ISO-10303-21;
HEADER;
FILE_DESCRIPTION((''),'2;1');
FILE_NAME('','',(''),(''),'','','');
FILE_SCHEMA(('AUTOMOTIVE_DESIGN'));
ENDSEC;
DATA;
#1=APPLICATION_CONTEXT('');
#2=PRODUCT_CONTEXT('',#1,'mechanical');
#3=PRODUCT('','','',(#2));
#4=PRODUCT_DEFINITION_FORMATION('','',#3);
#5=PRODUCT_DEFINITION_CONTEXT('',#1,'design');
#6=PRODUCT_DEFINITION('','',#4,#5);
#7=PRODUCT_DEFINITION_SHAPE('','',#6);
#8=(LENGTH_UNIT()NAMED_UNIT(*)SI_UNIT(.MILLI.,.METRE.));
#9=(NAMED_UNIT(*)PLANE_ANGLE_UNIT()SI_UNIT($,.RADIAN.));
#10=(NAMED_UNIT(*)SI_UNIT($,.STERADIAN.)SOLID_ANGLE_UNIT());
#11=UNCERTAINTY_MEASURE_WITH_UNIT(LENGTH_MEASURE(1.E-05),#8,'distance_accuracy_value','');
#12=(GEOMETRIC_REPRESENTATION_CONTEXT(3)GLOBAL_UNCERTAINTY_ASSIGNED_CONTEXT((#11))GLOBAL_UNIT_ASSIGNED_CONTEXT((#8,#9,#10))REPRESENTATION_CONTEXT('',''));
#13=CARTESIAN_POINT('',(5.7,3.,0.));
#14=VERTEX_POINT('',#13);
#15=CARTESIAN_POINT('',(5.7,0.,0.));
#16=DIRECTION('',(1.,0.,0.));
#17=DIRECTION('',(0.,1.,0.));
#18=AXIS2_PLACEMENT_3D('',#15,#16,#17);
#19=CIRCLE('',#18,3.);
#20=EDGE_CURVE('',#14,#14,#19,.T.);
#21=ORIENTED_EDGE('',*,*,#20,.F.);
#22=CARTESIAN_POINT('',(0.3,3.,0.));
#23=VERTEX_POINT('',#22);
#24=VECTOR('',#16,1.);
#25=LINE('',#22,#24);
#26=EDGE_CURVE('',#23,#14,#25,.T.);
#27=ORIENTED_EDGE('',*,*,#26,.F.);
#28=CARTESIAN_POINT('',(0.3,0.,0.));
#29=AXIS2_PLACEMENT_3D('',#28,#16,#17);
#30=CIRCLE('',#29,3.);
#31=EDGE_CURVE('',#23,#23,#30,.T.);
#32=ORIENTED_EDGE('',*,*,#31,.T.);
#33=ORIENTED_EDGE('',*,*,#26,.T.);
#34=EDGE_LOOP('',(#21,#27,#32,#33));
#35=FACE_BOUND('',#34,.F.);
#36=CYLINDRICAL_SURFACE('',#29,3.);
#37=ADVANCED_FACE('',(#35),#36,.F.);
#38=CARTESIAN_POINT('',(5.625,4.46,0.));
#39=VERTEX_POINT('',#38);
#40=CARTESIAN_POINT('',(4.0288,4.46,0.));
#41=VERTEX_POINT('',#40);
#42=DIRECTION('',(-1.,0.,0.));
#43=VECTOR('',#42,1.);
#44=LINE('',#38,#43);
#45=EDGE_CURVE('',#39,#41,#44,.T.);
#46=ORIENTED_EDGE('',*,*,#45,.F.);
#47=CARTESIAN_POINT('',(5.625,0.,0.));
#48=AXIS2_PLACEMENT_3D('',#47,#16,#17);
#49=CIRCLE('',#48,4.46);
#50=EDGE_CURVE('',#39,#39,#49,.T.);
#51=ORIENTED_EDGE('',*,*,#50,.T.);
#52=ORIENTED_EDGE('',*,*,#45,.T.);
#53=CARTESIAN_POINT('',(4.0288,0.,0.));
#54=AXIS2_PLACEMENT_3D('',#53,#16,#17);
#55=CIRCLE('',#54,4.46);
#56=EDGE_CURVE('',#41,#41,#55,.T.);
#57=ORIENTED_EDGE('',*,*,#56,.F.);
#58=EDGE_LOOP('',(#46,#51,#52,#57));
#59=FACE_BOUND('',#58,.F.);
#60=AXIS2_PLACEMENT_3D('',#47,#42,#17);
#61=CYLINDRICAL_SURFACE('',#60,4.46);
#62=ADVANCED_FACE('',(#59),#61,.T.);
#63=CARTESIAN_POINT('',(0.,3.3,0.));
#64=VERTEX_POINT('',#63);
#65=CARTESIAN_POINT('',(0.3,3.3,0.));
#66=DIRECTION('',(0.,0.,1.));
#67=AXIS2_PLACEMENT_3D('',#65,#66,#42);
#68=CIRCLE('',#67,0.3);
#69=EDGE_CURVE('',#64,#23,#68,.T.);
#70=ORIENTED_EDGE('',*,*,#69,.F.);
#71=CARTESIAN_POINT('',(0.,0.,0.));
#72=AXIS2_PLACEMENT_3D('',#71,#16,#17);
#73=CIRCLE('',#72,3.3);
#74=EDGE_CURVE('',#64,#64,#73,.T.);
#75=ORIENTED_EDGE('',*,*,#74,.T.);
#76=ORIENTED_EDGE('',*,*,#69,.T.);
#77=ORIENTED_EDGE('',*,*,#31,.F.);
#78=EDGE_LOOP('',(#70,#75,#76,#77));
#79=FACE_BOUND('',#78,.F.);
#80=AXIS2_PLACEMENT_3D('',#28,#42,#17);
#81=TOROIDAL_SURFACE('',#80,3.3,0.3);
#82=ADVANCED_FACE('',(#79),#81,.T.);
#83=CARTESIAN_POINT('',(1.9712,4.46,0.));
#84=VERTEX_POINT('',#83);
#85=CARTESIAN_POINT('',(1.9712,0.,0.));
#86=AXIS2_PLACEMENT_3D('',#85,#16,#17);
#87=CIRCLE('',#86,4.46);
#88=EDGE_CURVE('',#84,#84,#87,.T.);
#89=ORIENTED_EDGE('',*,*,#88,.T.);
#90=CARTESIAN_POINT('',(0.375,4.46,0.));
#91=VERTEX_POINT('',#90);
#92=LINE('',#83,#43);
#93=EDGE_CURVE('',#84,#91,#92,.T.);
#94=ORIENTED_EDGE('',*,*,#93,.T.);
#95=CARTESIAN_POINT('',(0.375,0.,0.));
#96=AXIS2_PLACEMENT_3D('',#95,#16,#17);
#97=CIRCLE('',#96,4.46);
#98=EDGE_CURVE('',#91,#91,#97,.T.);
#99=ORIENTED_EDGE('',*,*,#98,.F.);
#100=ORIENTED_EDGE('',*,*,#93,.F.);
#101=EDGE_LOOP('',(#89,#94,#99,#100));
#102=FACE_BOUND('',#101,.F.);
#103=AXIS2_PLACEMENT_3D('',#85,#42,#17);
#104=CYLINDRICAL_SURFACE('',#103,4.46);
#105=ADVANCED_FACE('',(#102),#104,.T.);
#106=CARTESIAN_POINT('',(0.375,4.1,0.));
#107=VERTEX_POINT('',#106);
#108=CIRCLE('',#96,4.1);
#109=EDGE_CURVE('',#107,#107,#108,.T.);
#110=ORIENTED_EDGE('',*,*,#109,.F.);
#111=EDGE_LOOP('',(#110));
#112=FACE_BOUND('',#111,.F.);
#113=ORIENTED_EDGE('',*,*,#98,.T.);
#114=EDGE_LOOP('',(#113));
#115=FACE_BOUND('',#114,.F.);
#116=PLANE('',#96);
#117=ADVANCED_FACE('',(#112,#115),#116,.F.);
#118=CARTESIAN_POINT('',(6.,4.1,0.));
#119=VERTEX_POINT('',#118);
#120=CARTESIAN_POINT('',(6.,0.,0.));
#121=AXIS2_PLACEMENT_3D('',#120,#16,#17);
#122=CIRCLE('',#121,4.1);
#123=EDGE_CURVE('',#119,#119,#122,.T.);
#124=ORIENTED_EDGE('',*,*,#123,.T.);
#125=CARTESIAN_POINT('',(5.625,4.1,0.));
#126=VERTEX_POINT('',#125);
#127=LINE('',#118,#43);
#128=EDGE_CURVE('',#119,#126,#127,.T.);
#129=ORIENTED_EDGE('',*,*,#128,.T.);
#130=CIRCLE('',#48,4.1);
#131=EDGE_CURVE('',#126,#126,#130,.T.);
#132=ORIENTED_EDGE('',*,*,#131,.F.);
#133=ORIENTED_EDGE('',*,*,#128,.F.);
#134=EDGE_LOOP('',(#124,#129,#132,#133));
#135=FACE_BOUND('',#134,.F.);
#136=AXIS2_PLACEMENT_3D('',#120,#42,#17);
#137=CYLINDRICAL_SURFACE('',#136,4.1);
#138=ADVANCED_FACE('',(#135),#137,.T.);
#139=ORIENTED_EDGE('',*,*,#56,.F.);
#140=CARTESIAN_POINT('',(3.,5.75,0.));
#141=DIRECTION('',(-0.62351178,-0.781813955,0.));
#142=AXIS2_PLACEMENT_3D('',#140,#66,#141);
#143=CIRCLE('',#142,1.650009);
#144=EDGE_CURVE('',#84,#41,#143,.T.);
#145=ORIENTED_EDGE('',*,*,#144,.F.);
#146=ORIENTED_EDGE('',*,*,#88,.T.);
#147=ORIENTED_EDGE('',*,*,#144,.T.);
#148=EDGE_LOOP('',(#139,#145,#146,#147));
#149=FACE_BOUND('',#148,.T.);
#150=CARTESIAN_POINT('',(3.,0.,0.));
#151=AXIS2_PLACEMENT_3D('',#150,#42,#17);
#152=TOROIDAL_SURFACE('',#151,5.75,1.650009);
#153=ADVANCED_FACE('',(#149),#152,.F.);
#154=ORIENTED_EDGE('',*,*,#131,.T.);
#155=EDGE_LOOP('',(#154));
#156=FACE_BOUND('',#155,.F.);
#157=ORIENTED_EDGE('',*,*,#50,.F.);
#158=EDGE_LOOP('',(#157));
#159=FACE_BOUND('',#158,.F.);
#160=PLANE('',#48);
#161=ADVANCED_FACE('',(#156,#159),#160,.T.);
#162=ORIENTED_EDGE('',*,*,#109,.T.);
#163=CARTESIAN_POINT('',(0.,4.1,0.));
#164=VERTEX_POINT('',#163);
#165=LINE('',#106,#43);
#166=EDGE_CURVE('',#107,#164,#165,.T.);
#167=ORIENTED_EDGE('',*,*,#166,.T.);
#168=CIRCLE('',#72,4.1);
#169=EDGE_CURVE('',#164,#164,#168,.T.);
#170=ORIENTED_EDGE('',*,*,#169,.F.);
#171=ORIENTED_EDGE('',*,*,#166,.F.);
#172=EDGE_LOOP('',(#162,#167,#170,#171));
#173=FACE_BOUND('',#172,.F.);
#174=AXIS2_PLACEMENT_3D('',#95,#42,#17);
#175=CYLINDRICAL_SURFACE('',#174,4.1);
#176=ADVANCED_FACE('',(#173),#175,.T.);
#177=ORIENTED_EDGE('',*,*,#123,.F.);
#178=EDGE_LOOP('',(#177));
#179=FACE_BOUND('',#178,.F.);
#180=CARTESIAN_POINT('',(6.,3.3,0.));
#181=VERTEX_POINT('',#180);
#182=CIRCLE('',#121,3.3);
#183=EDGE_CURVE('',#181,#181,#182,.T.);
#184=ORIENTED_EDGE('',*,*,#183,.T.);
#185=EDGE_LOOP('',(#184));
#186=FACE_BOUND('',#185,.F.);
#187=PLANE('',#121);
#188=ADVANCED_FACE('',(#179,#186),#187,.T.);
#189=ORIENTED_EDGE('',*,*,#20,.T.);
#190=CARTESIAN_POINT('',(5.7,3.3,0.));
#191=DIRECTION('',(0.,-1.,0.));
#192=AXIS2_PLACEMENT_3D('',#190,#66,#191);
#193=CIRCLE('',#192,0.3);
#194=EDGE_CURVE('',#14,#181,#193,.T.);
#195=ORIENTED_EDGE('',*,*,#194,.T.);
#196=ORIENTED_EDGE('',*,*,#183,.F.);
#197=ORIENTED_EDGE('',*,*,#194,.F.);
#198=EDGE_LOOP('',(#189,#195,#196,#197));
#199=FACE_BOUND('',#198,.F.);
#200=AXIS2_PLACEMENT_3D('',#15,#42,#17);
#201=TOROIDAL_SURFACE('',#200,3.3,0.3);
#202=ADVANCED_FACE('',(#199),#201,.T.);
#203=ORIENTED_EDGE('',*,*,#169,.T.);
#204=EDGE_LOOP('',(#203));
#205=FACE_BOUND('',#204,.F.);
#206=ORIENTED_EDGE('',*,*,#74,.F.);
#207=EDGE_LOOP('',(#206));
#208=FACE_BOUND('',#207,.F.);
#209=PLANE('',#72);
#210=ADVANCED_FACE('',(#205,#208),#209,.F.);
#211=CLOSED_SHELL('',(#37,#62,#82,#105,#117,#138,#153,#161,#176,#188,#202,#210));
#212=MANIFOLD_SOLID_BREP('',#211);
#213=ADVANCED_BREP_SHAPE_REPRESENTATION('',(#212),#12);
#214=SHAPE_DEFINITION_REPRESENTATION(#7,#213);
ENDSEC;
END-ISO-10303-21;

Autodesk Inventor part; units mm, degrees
sketch "Sketch_2" plane through (0, 0, 0) normal (0, 0, 1) x (1, 0, 0)
  line L0 (6, 0) -> (0, 0)
  arc A0 (0, 3.3) -> (0.3, 3) centre (0.3, 3.3) ccw
  line L1 (0.3, 3) -> (5.7, 3)
  arc A1 (5.7, 3) -> (6, 3.3) centre (5.7, 3.3) ccw
  line L2 (6, 3.3) -> (6, 4.1)
  line L3 (6, 4.1) -> (5.625, 4.1)
  line L4 (5.625, 4.1) -> (5.625, 4.46)
  line L5 (5.625, 4.46) -> (4.0288, 4.46)
  arc A2 (1.9712, 4.46) -> (4.0288, 4.46) centre (3, 5.75) ccw
  line L6 (1.9712, 4.46) -> (0.375, 4.46)
  line L7 (0.375, 4.46) -> (0.375, 4.1)
  line L8 (0.375, 4.1) -> (0, 4.1)
  line L9 (0, 4.1) -> (0, 3.3)
revolve "Revolution1" add sketch "Sketch_2" angle 360 about axis through (6, 0, 0) along (1, 0, 0)
ref_plane "ip_st_1_1_XY" through (3, 5.75, 0) normal (1, 0, 0) x (0, 0, -1)
ref_plane "ip_st_1_1_YZ" through (3, 5.75, 0) normal (0, 0, -1) x (0, 1, 0)
ref_plane "ip_st_1_1_ZX" through (3, 5.75, 0) normal (0, 1, 0) x (1, 0, 0)
ref_plane "ip_st_1_2_XY" through (3, 4.0659, 4.0659) normal (1, 0, 0) x (0, 0, -1)
ref_plane "ip_st_1_2_YZ" through (3, 4.0659, 4.0659) normal (0, 0, -1) x (0, 1, 0)
ref_plane "ip_st_1_2_ZX" through (3, 4.0659, 4.0659) normal (0, 1, 0) x (1, 0, 0)
ref_plane "ip_st_1_3_XY" through (3, 0, 5.75) normal (1, 0, 0) x (0, 0, -1)
ref_plane "ip_st_1_3_YZ" through (3, 0, 5.75) normal (0, 0, -1) x (0, 1, 0)
ref_plane "ip_st_1_3_ZX" through (3, 0, 5.75) normal (0, 1, 0) x (1, 0, 0)
ref_plane "ip_st_1_4_XY" through (3, -4.0659, 4.0659) normal (1, 0, 0) x (0, 0, -1)
ref_plane "ip_st_1_4_YZ" through (3, -4.0659, 4.0659) normal (0, 0, -1) x (0, 1, 0)
ref_plane "ip_st_1_4_ZX" through (3, -4.0659, 4.0659) normal (0, 1, 0) x (1, 0, 0)
ref_plane "ip_st_1_5_XY" through (3, -5.75, 0) normal (1, 0, 0) x (0, 0, -1)
ref_plane "ip_st_1_5_YZ" through (3, -5.75, 0) normal (0, 0, -1) x (0, 1, 0)
ref_plane "ip_st_1_5_ZX" through (3, -5.75, 0) normal (0, 1, 0) x (1, 0, 0)
ref_plane "ip_st_1_6_XY" through (3, -4.0659, -4.0659) normal (1, 0, 0) x (0, 0, -1)
ref_plane "ip_st_1_6_YZ" through (3, -4.0659, -4.0659) normal (0, 0, -1) x (0, 1, 0)
ref_plane "ip_st_1_6_ZX" through (3, -4.0659, -4.0659) normal (0, 1, 0) x (1, 0, 0)
ref_plane "ip_st_1_7_XY" through (3, 0, -5.75) normal (1, 0, 0) x (0, 0, -1)
ref_plane "ip_st_1_7_YZ" through (3, 0, -5.75) normal (0, 0, -1) x (0, 1, 0)
ref_plane "ip_st_1_7_ZX" through (3, 0, -5.75) normal (0, 1, 0) x (1, 0, 0)
ref_plane "ip_st_1_8_XY" through (3, 4.0659, -4.0659) normal (1, 0, 0) x (0, 0, -1)
ref_plane "ip_st_1_8_YZ" through (3, 4.0659, -4.0659) normal (0, 0, -1) x (0, 1, 0)
ref_plane "ip_st_1_8_ZX" through (3, 4.0659, -4.0659) normal (0, 1, 0) x (1, 0, 0)
ref_plane "ip_st_1a_XY" through (0, 0, 0) normal (1, 0, 0) x (0, 0, -1)
ref_plane "ip_st_1a_YZ" through (0, 0, 0) normal (0, 0, -1) x (0, 1, 0)
ref_plane "ip_st_1a_ZX" through (0, 0, 0) normal (0, 1, 0) x (1, 0, 0)
ref_plane "ip_st_2a_XY" through (0.375, 0, 0) normal (1, 0, 0) x (0, 0, -1)
ref_plane "ip_st_2a_YZ" through (0.375, 0, 0) normal (0, 0, -1) x (0, 1, 0)
ref_plane "ip_st_2a_ZX" through (0.375, 0, 0) normal (0, 1, 0) x (1, 0, 0)
properties part number "F606ZZ Inner Ring" material "鋼、炭素鋼"
